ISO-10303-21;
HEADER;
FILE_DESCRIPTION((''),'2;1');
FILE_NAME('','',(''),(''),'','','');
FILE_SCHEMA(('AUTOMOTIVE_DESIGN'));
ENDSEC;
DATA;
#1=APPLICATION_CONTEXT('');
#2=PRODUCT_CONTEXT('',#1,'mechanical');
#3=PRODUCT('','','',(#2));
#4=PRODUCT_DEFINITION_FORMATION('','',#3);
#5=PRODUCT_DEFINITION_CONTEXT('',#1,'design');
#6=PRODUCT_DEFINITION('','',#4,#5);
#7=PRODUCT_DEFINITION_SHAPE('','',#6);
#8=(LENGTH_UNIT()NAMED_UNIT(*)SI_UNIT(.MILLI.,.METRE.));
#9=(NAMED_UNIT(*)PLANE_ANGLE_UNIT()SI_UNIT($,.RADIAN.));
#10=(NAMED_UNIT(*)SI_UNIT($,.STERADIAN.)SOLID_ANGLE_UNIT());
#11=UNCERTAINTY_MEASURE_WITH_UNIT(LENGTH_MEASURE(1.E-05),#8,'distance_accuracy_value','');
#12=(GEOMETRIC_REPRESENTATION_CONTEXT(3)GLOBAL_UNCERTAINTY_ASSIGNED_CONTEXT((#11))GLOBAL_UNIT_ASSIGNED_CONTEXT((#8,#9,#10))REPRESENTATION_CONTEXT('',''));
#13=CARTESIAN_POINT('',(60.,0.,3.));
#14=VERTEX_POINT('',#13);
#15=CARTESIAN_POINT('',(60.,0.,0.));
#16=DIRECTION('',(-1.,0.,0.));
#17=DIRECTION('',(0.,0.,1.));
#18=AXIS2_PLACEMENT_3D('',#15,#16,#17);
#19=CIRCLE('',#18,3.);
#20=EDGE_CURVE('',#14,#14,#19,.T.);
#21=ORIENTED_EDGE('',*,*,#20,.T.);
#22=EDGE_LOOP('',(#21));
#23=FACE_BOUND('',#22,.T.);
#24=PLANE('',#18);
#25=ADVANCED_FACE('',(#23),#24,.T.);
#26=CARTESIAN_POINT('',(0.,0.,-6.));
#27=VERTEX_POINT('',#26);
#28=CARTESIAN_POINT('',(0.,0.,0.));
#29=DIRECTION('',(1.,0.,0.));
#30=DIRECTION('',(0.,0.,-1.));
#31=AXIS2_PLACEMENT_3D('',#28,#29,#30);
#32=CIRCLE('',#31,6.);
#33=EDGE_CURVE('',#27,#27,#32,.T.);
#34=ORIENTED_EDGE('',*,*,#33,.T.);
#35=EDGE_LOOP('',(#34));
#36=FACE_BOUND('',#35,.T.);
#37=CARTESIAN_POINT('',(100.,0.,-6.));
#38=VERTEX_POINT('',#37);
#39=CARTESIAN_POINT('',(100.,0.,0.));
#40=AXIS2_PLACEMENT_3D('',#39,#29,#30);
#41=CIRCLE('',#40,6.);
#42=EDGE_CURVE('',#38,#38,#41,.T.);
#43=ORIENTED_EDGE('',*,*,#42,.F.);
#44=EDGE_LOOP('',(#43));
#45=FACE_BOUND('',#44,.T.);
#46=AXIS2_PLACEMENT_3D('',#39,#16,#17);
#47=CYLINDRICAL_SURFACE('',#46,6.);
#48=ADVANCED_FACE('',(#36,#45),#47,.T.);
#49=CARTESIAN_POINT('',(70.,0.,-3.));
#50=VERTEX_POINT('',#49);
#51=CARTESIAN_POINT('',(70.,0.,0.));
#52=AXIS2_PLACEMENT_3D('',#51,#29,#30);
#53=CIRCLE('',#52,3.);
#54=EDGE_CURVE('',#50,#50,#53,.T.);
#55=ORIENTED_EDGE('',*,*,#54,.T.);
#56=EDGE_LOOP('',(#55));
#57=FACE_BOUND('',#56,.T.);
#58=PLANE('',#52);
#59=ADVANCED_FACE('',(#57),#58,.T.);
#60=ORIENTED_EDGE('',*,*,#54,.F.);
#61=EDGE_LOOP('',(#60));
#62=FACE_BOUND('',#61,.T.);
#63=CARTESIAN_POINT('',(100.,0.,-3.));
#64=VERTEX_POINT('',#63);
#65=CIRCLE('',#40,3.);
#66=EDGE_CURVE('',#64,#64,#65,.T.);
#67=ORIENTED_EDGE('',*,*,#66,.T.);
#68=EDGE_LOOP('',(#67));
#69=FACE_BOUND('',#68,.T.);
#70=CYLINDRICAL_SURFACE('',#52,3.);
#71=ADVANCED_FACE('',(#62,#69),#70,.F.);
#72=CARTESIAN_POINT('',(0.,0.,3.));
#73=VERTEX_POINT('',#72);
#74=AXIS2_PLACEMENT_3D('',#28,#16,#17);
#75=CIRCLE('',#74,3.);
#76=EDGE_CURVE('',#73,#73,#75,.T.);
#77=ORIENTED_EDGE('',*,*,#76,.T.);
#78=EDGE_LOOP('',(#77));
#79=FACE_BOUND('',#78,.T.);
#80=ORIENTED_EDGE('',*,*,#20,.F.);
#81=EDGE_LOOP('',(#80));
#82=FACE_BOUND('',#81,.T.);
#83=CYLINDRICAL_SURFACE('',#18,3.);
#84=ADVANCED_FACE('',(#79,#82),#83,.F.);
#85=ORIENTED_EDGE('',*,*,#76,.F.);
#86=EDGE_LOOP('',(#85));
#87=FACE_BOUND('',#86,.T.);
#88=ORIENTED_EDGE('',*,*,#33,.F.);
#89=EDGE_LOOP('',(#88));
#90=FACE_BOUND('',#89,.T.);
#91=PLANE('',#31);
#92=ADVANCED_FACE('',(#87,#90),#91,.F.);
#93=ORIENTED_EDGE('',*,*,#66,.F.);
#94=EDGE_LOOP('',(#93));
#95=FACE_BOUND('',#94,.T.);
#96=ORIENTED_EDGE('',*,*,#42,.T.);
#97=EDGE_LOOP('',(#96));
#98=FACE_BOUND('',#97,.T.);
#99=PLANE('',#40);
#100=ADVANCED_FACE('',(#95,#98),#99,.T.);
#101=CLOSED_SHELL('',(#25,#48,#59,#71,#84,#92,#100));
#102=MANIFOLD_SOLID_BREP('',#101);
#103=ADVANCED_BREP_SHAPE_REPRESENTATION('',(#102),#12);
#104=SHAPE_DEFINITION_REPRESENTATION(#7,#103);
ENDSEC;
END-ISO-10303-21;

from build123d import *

# Parameters (mm, degrees)
SKETCH1_R           = 6
BOSS_EXTRUDE1_DEPTH = 100
SKETCH2_R           = 3
CUT_EXTRUDE1_DEPTH  = 30
SKETCH3_R           = 3
CUT_EXTRUDE2_DEPTH  = 60


with BuildPart() as part:
    # Sketch1 → Boss-Extrude1 (new body)
    with BuildSketch(Plane(origin=(0, 0, 0), x_dir=(0, 0, -1), z_dir=(1, 0, 0))):
        Circle(SKETCH1_R)
    extrude(amount=BOSS_EXTRUDE1_DEPTH)

    # Sketch2 → Cut-Extrude1 (cut)
    with BuildSketch(Plane(origin=(100, 0, 0), x_dir=(0, 0, -1), z_dir=(1, 0, 0))):
        Circle(SKETCH2_R)
    extrude(amount=-CUT_EXTRUDE1_DEPTH, mode=Mode.SUBTRACT)

    # Sketch3 → Cut-Extrude2 (cut)
    with BuildSketch(Plane.ZY):
        Circle(SKETCH3_R)
    extrude(amount=-CUT_EXTRUDE2_DEPTH, mode=Mode.SUBTRACT)


solid = part.part
